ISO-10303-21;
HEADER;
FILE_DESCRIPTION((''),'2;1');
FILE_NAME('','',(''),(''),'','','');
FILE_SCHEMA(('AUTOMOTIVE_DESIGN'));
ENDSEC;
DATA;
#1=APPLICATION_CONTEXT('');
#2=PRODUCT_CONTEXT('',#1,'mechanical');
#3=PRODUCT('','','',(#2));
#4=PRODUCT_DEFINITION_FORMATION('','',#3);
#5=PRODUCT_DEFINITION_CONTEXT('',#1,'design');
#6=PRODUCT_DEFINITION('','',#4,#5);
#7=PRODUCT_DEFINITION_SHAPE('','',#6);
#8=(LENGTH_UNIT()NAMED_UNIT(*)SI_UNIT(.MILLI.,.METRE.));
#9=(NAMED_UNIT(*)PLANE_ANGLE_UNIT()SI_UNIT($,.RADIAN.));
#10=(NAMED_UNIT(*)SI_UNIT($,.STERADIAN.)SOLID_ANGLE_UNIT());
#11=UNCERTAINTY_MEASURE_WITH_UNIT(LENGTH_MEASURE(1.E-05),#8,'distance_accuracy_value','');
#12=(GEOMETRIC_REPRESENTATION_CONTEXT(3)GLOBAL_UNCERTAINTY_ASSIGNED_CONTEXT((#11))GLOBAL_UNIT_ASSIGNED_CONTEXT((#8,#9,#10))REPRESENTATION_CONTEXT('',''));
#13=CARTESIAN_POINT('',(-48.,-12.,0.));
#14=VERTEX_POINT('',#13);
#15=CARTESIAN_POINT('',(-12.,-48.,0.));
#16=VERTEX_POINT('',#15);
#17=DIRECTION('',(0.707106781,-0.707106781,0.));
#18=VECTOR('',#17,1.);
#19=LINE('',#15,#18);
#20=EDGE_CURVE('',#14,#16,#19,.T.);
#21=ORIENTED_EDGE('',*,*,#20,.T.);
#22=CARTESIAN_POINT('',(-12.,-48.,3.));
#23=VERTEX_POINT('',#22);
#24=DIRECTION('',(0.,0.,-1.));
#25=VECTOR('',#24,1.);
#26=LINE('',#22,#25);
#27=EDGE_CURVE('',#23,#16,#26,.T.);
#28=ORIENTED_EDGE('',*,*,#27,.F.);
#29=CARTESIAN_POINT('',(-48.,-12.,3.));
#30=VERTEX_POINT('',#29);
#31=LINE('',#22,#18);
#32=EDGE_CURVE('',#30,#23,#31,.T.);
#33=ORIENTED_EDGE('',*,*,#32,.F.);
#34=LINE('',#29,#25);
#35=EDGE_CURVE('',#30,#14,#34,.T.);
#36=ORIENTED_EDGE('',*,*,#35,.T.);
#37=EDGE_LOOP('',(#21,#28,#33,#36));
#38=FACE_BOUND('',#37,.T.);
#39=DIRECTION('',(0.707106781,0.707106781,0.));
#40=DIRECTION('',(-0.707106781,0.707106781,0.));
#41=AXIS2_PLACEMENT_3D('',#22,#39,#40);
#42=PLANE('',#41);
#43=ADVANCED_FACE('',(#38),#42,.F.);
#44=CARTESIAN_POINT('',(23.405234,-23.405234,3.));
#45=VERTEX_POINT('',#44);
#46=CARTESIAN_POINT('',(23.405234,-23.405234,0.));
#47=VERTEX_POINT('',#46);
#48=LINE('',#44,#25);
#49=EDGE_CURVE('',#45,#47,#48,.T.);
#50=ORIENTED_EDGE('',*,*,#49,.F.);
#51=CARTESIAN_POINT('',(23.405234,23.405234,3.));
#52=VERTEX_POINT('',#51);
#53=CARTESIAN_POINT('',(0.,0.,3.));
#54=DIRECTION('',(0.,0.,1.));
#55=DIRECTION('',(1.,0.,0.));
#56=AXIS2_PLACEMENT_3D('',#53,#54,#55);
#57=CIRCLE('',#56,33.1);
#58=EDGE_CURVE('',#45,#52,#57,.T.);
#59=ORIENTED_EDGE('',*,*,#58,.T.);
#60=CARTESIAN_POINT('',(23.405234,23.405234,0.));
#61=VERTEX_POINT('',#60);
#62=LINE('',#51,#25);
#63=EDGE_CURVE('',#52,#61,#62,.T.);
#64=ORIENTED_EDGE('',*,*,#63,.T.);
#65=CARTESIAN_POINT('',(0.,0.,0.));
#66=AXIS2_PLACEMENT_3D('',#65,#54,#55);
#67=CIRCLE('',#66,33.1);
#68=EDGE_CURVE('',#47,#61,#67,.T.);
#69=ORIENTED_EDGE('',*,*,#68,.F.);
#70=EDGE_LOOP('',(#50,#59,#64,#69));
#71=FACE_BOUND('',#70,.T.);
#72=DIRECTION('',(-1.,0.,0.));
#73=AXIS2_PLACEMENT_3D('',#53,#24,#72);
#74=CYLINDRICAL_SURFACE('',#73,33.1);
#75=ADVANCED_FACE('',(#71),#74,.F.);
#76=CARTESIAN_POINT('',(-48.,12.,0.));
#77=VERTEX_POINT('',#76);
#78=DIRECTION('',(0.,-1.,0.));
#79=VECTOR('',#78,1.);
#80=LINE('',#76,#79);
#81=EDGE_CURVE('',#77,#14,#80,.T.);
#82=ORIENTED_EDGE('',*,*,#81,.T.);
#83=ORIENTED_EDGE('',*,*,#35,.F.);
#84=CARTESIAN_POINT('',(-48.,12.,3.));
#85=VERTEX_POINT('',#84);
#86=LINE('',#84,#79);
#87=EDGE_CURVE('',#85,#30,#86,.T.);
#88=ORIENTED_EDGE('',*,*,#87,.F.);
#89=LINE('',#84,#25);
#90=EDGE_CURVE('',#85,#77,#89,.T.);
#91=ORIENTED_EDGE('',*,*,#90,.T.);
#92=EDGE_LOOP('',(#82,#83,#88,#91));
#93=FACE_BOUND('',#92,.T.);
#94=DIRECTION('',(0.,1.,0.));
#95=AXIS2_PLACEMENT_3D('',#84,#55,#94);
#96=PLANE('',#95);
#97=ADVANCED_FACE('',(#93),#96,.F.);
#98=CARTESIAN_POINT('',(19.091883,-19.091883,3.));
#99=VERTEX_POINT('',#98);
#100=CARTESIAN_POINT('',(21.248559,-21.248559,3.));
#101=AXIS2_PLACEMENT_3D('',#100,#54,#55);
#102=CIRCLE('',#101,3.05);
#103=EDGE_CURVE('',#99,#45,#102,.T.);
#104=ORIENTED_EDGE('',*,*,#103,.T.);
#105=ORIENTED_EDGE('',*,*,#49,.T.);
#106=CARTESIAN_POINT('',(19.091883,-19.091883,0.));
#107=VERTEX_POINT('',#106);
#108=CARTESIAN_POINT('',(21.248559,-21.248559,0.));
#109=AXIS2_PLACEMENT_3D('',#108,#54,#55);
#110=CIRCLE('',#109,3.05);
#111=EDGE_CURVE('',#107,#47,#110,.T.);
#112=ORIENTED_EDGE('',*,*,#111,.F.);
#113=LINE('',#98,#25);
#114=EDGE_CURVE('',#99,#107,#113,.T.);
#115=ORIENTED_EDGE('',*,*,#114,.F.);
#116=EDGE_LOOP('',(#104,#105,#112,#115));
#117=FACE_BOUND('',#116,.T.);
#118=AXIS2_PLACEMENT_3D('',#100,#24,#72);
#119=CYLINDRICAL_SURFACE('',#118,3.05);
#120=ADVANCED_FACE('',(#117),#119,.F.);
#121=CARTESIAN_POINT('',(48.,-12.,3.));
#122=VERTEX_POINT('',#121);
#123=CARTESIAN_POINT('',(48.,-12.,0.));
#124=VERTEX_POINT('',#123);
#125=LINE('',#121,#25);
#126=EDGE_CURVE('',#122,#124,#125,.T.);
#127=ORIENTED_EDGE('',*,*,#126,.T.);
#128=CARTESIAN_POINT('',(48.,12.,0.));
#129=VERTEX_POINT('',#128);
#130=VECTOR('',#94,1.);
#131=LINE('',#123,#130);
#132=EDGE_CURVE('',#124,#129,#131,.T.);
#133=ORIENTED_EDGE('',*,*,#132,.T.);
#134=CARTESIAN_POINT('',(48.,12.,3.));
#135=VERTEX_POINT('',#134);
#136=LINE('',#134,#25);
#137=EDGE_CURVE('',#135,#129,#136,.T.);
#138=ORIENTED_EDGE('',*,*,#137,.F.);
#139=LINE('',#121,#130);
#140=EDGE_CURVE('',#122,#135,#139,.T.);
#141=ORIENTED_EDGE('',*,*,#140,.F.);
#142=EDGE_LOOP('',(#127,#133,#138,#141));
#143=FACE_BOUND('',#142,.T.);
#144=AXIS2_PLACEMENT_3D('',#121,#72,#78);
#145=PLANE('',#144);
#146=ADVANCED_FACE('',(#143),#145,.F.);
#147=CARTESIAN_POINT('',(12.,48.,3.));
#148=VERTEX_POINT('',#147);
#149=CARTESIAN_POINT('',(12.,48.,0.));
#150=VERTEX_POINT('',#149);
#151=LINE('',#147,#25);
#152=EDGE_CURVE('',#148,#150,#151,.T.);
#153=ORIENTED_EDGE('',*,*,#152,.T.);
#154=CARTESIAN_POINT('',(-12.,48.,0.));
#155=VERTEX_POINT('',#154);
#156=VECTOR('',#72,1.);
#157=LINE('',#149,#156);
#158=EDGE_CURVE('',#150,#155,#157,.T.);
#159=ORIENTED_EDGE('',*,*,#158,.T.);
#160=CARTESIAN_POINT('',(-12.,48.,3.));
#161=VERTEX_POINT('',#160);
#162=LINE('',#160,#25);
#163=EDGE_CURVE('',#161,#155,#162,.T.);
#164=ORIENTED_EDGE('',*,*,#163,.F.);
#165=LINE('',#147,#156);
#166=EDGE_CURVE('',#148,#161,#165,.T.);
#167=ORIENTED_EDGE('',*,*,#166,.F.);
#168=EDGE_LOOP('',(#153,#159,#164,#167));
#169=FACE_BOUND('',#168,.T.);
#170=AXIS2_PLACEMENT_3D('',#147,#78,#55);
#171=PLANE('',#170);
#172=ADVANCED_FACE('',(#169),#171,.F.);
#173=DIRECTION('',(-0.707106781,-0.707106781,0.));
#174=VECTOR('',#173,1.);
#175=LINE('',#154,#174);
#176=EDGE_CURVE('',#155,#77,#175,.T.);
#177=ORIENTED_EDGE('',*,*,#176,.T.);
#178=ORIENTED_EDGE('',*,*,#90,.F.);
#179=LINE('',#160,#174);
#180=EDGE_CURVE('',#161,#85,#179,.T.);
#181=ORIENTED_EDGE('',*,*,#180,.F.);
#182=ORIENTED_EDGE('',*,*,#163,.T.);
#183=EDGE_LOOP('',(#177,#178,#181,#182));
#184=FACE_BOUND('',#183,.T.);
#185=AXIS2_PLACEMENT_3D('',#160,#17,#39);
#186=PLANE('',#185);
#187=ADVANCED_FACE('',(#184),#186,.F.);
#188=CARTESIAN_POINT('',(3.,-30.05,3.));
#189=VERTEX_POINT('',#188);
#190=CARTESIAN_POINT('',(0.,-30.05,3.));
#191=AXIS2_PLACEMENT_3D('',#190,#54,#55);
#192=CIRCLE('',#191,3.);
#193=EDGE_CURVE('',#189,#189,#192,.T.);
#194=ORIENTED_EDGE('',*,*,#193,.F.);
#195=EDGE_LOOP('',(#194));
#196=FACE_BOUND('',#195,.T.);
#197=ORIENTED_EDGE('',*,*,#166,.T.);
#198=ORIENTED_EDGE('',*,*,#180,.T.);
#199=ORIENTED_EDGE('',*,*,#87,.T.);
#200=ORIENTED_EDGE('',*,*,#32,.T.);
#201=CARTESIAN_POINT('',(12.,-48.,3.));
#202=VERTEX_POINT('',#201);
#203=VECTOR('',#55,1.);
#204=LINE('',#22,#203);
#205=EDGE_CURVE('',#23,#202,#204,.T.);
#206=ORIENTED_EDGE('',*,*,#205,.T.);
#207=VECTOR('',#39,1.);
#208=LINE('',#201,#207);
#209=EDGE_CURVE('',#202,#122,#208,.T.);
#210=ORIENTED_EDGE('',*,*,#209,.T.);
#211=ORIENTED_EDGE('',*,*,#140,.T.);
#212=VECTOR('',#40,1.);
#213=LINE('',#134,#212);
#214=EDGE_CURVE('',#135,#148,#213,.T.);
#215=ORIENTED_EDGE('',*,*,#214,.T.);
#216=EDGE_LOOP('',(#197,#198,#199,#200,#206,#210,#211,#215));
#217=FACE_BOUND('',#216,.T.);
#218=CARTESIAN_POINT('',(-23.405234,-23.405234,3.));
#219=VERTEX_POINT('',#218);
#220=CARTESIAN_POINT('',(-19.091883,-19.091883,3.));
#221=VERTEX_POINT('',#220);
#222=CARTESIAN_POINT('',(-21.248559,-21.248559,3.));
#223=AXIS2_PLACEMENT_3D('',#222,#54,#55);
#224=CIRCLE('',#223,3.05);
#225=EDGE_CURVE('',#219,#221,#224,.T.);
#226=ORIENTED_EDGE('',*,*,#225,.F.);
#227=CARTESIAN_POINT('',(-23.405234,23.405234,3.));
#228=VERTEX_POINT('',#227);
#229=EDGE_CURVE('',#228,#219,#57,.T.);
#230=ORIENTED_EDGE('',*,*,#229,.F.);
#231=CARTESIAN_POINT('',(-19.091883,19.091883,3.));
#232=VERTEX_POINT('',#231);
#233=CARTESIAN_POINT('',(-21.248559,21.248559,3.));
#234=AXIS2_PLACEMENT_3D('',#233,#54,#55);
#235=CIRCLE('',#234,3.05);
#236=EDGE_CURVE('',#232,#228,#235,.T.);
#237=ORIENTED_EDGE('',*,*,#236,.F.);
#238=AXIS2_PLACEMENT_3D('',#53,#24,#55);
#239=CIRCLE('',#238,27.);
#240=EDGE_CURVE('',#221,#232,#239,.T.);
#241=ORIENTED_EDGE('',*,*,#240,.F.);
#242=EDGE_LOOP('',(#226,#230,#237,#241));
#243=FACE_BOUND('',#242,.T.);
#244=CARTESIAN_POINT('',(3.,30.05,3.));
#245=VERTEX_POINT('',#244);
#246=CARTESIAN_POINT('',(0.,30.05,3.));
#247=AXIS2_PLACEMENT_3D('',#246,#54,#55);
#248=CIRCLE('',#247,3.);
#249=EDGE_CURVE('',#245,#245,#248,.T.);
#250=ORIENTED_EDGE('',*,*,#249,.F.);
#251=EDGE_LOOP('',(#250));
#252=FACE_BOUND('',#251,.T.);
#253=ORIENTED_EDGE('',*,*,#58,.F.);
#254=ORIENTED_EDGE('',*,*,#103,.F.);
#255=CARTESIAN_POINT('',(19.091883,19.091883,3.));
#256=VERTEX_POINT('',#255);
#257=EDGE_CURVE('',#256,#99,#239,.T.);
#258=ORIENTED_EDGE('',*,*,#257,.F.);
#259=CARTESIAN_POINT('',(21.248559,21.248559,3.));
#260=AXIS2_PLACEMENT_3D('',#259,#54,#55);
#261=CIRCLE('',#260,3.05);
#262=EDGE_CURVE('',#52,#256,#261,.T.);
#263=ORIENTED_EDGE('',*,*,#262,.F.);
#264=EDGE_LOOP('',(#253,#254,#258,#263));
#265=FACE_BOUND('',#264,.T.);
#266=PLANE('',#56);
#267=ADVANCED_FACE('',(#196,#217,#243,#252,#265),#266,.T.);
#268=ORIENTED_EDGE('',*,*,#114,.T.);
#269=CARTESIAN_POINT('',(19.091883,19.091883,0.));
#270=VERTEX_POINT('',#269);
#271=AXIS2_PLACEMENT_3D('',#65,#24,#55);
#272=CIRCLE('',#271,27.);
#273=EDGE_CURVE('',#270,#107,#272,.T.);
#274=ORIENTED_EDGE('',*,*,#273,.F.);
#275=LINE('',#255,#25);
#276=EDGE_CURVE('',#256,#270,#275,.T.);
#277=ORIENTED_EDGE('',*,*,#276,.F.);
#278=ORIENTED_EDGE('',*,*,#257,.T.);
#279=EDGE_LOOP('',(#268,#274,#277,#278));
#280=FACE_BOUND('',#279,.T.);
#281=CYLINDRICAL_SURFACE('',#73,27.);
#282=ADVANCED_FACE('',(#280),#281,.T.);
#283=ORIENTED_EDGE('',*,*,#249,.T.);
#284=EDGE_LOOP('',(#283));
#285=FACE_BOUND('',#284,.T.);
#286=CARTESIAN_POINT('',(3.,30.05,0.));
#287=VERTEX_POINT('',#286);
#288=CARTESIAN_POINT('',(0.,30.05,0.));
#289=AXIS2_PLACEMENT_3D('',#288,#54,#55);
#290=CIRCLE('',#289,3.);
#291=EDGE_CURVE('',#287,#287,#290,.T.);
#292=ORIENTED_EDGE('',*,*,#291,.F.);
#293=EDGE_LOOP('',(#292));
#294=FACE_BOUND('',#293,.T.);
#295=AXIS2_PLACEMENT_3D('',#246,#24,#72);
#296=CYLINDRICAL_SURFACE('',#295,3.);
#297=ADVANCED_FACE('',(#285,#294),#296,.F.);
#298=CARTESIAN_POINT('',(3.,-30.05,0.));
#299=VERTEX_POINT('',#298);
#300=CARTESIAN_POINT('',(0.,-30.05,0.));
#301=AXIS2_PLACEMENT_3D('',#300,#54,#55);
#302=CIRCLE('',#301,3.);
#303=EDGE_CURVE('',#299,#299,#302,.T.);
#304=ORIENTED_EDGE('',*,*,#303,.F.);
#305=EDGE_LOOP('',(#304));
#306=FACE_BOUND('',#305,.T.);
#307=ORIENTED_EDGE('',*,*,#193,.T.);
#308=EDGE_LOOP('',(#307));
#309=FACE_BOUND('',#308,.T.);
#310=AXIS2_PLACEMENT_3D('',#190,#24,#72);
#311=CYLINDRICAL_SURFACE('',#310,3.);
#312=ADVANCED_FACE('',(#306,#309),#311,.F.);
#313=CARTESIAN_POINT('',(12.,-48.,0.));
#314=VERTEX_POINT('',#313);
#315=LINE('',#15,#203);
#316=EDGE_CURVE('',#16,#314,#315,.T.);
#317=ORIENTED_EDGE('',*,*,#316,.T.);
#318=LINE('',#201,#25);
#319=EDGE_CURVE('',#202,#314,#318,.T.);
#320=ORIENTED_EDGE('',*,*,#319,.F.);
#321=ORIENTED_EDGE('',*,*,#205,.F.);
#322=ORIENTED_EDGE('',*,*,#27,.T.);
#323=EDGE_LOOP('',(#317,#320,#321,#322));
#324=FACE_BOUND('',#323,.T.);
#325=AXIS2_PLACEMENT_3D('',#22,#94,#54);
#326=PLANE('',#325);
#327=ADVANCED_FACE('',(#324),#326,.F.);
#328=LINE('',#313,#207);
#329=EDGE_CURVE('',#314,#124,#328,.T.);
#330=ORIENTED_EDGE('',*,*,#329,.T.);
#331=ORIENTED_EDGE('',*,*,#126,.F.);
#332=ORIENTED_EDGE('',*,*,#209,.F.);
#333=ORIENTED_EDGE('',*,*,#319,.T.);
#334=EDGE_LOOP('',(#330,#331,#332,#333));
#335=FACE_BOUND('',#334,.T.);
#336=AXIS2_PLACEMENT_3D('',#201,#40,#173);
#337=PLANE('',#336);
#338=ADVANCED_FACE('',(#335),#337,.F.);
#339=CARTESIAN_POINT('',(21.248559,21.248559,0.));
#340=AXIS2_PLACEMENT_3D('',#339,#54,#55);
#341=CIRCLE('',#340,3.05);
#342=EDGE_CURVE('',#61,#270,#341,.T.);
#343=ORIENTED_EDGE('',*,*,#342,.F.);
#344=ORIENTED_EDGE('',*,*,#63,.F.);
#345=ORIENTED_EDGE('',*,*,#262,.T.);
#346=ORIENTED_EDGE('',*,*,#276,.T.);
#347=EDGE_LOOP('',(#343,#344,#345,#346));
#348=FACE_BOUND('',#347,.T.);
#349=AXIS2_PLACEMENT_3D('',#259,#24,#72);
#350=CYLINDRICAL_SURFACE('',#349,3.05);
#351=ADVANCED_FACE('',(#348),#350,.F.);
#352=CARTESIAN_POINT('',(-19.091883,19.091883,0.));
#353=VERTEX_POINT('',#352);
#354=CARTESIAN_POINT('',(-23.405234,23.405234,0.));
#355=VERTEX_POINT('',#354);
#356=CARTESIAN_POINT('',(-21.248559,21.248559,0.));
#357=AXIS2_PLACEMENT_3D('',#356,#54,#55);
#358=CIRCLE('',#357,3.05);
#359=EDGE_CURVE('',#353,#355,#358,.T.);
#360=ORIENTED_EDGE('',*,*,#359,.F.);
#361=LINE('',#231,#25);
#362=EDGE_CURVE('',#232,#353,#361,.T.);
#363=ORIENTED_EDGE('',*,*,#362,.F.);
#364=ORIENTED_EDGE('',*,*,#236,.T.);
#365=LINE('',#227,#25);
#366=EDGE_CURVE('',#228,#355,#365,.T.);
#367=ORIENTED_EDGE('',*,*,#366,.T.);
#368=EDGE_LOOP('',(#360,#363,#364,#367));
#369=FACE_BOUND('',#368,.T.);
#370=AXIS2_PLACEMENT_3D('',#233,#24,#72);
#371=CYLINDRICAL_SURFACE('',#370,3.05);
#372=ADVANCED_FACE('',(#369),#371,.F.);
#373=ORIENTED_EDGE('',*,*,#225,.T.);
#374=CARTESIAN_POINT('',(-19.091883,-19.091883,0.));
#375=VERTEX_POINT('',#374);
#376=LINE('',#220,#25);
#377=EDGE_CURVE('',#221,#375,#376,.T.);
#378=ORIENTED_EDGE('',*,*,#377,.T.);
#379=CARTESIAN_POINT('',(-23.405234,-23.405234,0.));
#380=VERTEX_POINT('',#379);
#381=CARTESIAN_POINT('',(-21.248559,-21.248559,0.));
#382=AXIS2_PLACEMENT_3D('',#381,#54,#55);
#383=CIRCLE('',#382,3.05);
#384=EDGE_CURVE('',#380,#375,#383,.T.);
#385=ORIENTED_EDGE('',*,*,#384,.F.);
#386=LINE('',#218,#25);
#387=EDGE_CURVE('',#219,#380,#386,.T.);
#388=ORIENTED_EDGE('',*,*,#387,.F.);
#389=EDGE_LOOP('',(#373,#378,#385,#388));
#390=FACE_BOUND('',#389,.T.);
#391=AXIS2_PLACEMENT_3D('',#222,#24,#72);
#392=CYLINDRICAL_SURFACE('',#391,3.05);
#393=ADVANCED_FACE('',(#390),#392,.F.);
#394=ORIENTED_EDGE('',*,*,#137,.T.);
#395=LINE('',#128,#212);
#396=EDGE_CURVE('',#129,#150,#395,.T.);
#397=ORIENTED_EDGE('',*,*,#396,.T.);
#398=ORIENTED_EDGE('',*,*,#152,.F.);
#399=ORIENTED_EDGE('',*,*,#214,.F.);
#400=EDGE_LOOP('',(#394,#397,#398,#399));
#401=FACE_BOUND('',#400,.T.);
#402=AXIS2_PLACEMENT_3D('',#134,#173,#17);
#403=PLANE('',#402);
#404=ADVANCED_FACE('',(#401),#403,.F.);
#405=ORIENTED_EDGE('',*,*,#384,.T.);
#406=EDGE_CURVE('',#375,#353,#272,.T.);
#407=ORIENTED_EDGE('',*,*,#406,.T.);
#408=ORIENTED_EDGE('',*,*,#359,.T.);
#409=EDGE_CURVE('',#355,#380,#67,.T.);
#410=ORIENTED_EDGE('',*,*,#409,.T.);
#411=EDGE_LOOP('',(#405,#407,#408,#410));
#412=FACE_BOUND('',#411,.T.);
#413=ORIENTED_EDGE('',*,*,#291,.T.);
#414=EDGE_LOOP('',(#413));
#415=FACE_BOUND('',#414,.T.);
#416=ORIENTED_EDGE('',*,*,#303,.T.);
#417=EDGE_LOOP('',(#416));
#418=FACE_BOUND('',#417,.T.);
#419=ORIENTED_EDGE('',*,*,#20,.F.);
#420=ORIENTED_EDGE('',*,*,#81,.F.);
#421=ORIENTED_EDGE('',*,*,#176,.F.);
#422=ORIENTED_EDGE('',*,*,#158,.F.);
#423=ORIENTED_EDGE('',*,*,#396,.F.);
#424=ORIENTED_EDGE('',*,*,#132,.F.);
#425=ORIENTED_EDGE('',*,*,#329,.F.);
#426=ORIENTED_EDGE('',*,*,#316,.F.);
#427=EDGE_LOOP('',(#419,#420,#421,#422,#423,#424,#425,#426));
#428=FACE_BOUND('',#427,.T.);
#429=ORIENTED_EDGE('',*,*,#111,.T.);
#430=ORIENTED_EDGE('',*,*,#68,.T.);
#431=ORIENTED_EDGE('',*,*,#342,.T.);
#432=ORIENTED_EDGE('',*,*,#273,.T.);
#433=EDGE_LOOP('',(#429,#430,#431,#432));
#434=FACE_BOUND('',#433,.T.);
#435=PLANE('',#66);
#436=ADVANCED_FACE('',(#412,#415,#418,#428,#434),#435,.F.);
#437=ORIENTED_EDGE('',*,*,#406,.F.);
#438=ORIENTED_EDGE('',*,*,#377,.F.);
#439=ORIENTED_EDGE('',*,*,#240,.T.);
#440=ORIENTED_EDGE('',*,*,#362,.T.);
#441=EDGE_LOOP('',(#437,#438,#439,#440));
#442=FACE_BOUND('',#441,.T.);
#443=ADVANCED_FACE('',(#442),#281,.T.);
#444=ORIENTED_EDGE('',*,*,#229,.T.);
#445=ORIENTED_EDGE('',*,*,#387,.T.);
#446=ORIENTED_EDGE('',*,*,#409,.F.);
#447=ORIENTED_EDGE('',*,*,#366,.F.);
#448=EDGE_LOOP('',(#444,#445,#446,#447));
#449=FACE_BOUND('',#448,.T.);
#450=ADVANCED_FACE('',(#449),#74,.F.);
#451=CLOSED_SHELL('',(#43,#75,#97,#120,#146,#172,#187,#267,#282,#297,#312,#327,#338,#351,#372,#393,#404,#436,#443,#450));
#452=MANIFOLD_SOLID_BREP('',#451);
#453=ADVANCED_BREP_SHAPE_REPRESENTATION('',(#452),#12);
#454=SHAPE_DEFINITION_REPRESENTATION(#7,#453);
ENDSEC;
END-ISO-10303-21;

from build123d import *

# Parameters (mm, degrees)
SKETCH_1_R      = 3
EXTRUDE_1_DEPTH = 3


with BuildPart() as part:
    # 草图1 → 凸台-拉伸1 (new body)
    with BuildSketch(Plane.XY):
        Polygon((-12, -48), (12, -48), (48, -12), (48, 12), (12, 48), (-12, 48), (-48, 12), (-48, -12), align=None)
        with Locations((0, 30.05)):
            Circle(SKETCH_1_R, mode=Mode.SUBTRACT)
        with Locations((0, -30.05)):
            Circle(SKETCH_1_R, mode=Mode.SUBTRACT)
        with BuildLine():
            ThreePointArc((19.091883092, -19.091883092), (27, 0), (19.091883092, 19.091883092))
            ThreePointArc((19.091883092, 19.091883092), (19.091883092, 23.405234457), (23.405234457, 23.405234457))
            ThreePointArc((23.405234457, 23.405234457), (33.1, 0), (23.405234457, -23.405234457))
            ThreePointArc((23.405234457, -23.405234457), (19.091883092, -23.405234457), (19.091883092, -19.091883092))
        make_face(mode=Mode.SUBTRACT)
        with BuildLine():
            ThreePointArc((-19.091883092, 19.091883092), (-27, 0), (-19.091883092, -19.091883092))
            ThreePointArc((-19.091883092, -19.091883092), (-19.091883092, -23.405234457), (-23.405234457, -23.405234457))
            ThreePointArc((-23.405234457, -23.405234457), (-33.1, 0), (-23.405234457, 23.405234457))
            ThreePointArc((-23.405234457, 23.405234457), (-19.091883092, 23.405234457), (-19.091883092, 19.091883092))
        make_face(mode=Mode.SUBTRACT)
    extrude(amount=EXTRUDE_1_DEPTH)


solid = part.part
